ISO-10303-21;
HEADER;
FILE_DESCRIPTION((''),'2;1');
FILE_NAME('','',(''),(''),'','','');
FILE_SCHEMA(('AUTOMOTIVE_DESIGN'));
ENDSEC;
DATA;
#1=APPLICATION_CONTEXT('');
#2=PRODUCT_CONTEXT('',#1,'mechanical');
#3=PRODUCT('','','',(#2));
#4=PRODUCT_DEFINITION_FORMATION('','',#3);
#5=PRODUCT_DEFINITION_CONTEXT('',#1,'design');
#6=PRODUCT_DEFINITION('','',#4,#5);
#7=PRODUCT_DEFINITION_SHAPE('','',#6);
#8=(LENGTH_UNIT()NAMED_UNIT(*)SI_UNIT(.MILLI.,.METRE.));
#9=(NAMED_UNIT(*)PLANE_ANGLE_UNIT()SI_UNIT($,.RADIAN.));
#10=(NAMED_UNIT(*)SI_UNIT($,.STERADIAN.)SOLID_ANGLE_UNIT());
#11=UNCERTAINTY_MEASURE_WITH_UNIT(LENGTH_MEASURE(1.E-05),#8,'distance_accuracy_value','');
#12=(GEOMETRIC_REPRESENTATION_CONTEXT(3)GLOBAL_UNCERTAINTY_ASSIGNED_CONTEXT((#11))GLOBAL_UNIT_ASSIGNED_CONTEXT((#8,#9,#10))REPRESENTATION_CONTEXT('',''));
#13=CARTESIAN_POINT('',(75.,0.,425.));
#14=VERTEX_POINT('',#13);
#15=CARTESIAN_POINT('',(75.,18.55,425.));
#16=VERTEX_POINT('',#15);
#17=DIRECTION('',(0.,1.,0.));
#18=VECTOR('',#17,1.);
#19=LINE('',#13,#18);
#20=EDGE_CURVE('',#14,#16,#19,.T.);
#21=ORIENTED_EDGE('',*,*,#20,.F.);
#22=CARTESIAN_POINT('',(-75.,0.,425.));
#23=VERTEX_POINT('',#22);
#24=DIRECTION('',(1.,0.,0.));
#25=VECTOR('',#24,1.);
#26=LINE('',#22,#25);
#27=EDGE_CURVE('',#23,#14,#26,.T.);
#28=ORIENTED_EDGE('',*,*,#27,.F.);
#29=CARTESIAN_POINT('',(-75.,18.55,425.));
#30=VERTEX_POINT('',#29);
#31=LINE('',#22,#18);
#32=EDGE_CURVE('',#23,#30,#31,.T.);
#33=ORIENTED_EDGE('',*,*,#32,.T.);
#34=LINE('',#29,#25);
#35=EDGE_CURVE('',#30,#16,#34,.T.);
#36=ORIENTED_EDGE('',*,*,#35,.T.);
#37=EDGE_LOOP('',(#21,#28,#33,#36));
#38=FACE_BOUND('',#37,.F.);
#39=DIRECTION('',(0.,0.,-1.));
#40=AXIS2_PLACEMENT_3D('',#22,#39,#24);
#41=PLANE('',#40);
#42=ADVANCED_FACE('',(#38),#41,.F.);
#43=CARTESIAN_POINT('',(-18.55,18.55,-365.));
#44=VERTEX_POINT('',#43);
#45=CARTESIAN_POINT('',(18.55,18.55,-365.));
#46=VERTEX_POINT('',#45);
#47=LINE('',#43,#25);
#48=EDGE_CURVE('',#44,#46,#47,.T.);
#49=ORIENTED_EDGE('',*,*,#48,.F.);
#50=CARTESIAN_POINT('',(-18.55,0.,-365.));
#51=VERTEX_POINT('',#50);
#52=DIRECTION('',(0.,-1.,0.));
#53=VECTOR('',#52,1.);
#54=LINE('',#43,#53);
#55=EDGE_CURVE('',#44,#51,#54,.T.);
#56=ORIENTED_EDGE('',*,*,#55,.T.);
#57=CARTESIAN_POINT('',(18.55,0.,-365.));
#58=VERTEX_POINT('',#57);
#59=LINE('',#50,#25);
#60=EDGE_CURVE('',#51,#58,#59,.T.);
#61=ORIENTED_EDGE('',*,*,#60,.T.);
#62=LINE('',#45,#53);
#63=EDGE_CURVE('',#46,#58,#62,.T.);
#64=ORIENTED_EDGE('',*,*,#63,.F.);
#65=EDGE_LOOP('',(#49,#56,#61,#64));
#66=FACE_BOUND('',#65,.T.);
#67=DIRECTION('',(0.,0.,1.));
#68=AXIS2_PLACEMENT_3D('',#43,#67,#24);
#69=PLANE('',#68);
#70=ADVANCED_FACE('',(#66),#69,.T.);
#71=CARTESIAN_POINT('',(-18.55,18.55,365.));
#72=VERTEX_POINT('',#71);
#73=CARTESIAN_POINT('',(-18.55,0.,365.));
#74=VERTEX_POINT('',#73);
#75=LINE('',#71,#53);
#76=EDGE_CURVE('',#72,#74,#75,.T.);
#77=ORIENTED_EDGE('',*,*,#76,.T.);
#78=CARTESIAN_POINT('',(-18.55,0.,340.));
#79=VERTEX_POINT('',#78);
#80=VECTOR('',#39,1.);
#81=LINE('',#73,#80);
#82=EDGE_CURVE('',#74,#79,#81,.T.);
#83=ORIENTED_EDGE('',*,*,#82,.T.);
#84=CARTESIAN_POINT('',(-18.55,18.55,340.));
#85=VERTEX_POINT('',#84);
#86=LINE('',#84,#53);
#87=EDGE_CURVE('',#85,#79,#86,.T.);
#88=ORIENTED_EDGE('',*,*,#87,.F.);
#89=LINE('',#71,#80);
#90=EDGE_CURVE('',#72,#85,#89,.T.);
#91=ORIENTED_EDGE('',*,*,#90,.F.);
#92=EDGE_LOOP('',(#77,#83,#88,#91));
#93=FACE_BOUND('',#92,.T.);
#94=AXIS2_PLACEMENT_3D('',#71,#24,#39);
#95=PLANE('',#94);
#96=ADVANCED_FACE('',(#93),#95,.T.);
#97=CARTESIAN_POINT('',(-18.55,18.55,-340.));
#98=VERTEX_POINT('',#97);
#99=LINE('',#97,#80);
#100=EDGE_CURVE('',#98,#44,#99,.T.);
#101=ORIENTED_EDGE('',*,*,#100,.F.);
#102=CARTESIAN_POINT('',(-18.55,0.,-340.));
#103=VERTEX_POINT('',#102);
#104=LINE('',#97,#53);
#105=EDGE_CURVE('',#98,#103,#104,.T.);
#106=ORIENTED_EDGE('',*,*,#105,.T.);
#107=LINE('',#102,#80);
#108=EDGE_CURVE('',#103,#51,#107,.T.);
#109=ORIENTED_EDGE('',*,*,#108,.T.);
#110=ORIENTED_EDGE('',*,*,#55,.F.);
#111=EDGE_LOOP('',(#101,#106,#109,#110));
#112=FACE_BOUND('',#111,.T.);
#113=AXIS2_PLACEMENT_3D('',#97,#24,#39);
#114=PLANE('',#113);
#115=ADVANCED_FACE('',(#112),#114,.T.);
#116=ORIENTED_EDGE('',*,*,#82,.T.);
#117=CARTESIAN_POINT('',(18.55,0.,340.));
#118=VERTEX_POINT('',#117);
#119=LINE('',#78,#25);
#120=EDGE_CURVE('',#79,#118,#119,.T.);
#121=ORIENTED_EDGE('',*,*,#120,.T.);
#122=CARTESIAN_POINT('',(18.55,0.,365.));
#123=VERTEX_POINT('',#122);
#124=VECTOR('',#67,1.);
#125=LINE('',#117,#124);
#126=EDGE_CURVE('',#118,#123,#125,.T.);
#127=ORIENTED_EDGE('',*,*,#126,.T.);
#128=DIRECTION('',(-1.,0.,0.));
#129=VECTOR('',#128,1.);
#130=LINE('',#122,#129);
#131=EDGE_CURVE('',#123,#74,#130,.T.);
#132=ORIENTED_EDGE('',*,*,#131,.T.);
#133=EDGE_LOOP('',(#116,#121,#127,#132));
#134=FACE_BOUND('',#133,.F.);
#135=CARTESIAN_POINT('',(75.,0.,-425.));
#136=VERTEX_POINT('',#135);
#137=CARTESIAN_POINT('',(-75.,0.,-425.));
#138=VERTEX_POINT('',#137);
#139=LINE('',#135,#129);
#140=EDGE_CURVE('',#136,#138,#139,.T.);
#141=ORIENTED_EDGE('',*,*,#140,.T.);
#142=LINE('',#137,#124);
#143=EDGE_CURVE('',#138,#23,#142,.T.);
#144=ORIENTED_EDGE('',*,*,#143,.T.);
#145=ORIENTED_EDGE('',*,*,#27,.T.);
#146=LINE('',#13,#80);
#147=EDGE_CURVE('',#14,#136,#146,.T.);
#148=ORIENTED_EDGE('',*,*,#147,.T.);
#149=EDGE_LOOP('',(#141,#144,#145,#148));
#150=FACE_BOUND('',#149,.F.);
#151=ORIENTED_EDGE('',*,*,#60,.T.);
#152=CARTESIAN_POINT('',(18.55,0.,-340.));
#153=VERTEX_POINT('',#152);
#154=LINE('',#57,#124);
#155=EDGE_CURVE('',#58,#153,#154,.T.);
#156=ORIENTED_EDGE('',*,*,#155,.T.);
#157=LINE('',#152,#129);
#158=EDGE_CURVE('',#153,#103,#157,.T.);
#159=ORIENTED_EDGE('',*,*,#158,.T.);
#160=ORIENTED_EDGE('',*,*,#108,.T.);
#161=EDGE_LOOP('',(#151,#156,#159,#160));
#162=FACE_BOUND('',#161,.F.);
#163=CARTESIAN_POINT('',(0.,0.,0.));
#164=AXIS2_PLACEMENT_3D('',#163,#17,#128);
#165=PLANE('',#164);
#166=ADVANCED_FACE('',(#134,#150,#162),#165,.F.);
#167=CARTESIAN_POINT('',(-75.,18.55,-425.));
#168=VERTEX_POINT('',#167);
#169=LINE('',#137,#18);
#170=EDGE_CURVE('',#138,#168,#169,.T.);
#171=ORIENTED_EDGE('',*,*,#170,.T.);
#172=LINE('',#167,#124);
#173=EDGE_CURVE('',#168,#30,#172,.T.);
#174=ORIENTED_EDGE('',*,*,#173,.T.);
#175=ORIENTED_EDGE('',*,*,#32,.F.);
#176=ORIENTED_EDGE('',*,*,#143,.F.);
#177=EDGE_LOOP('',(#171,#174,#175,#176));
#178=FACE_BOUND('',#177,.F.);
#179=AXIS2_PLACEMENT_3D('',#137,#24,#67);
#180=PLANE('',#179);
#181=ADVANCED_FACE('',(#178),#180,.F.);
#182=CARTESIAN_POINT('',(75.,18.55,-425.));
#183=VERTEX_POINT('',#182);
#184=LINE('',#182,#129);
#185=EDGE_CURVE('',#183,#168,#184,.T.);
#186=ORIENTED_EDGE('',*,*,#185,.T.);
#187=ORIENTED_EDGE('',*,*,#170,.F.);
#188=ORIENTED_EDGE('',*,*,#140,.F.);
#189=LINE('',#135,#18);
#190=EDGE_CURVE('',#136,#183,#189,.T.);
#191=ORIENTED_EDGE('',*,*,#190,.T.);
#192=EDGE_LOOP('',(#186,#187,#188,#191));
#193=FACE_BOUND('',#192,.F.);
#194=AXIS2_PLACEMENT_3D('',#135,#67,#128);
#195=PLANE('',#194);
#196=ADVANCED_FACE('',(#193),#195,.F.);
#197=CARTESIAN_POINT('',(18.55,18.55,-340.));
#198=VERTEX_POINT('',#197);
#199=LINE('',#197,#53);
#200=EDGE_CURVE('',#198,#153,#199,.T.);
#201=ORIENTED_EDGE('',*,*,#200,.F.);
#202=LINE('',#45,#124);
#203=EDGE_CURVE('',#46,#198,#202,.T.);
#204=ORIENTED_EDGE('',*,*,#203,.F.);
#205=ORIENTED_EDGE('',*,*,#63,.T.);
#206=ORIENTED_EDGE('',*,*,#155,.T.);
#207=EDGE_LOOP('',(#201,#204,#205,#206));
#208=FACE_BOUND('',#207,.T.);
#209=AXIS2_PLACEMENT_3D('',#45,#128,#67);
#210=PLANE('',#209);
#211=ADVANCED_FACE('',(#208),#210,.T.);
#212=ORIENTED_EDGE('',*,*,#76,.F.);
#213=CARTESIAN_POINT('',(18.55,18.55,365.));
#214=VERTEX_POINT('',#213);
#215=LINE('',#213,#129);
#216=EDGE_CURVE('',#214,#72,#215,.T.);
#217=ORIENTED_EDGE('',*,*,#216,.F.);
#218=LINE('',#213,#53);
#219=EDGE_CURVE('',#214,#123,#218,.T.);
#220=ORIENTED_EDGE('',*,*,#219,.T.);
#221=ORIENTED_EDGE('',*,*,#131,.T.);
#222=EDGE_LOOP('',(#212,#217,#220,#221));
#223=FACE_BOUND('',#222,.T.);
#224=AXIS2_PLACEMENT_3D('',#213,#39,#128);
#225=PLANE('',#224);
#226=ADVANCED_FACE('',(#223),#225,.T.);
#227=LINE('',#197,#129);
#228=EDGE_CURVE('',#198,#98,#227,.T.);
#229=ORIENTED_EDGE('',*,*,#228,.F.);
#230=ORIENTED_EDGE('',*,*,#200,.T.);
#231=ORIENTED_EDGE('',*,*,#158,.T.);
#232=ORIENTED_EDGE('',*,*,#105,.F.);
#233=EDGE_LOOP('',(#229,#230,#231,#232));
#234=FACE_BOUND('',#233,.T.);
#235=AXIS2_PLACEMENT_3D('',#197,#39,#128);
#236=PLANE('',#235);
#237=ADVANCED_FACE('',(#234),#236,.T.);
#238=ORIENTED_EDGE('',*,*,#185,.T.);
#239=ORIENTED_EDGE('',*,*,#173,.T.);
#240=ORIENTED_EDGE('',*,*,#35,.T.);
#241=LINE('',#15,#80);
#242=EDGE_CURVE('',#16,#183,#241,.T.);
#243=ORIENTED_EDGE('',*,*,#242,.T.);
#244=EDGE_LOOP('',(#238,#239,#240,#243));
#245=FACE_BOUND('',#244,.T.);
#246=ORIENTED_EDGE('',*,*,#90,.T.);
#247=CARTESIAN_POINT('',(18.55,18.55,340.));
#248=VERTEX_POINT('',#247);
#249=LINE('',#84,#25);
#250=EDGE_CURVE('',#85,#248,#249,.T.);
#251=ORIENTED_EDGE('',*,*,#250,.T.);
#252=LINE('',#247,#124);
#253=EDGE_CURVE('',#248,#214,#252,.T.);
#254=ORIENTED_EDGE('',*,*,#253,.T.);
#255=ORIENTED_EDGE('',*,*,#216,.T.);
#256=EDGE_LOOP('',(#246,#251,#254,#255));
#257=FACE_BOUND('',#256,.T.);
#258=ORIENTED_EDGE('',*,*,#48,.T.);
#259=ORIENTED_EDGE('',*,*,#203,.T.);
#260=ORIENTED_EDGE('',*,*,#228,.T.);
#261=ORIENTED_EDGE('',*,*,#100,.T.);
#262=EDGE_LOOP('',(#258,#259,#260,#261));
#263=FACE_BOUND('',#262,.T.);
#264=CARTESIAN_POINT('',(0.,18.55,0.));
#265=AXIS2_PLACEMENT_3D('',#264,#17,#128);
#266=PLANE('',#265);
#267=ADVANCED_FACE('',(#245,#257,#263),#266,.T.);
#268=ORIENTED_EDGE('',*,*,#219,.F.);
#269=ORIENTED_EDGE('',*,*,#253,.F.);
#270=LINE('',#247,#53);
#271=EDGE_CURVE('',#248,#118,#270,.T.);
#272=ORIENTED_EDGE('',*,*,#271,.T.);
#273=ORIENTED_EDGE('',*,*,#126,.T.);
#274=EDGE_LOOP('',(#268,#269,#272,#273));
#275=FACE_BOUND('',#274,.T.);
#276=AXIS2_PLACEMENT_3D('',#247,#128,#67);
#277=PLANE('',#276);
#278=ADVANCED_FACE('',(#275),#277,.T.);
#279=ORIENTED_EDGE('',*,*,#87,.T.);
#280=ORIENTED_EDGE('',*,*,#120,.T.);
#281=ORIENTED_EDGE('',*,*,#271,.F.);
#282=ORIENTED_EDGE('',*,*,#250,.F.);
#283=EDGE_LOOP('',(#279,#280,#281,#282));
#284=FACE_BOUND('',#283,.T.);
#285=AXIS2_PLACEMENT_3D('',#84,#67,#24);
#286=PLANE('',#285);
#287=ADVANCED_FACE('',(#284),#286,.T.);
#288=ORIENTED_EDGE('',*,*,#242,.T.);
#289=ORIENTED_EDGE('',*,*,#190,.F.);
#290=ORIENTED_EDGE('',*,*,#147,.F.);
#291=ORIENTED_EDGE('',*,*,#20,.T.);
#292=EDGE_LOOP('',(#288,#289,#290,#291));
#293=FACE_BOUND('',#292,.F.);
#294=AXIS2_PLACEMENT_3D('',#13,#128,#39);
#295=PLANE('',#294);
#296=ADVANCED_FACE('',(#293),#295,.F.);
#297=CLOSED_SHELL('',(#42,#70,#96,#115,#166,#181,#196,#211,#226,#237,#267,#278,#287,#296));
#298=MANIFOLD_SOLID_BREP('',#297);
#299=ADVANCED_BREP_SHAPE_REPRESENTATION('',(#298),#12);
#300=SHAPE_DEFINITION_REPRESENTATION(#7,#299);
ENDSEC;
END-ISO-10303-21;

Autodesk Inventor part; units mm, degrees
ref_plane "YZ Plane" through (0, 0, 0) normal (1, 0, 0) x (0, 1, 0)
ref_plane "XZ Plane" through (0, 0, 0) normal (0, 1, 0) x (-1, 0, 0)
ref_plane "XY Plane" through (0, 0, 0) normal (0, 0, 1) x (1, 0, 0)
sketch "Sketch1" plane through (0, 0, 0) normal (0, 1, 0) x (-1, 0, 0)
  line L0 (-75, -425) -> (75, -425)
  line L1 (75, -425) -> (75, 425)
  line L2 (75, 425) -> (-75, 425)
  line L3 (-75, 425) -> (-75, -425)
  line L4 (-75, -425) -> (75, 425) construction
  line L5 (75, -425) -> (-75, 425) construction
  point P0 (0, 0)
  dimension "d0" = 850
  dimension "d1" = 150
extrude "Extrusion1" add sketch "Sketch1" along normal blind 18.55
sketch "Sketch2" plane through (0, 18.55, 0) normal (0, 1, 0) x (1, 0, 0)
  line L0 (18.55, -365) -> (-18.55, -365)
  line L1 (-18.55, -365) -> (-18.55, -340)
  line L2 (-18.55, -340) -> (18.55, -340)
  line L3 (18.55, -340) -> (18.55, -365)
  line L4 (18.55, -365) -> (-18.55, -340) construction
  line L5 (-18.55, -365) -> (18.55, -340) construction
  line L6 (18.55, 340) -> (-18.55, 340)
  line L7 (-18.55, 340) -> (-18.55, 365)
  line L8 (-18.55, 365) -> (18.55, 365)
  line L9 (18.55, 365) -> (18.55, 340)
  line L10 (18.55, 340) -> (-18.55, 365) construction
  line L11 (-18.55, 340) -> (18.55, 365) construction
  line L12 (0, -365) -> (0, -425) construction
  line L13 (-75, -425) -> (75, -425) projected
  line L14 (0, 365) -> (0, 425) construction
  line L15 (75, 425) -> (-75, 425) projected
  point P0 (0, 0)
  point P1 (0, -352.5)
  point P2 (0, 352.5)
  dimension "d4" = 730
  dimension "d5" = 25
  dimension "d6" = 37.1
extrude "Extrusion2" cut sketch "Sketch2" against normal blind 18.55
properties part number "floor_Part"
